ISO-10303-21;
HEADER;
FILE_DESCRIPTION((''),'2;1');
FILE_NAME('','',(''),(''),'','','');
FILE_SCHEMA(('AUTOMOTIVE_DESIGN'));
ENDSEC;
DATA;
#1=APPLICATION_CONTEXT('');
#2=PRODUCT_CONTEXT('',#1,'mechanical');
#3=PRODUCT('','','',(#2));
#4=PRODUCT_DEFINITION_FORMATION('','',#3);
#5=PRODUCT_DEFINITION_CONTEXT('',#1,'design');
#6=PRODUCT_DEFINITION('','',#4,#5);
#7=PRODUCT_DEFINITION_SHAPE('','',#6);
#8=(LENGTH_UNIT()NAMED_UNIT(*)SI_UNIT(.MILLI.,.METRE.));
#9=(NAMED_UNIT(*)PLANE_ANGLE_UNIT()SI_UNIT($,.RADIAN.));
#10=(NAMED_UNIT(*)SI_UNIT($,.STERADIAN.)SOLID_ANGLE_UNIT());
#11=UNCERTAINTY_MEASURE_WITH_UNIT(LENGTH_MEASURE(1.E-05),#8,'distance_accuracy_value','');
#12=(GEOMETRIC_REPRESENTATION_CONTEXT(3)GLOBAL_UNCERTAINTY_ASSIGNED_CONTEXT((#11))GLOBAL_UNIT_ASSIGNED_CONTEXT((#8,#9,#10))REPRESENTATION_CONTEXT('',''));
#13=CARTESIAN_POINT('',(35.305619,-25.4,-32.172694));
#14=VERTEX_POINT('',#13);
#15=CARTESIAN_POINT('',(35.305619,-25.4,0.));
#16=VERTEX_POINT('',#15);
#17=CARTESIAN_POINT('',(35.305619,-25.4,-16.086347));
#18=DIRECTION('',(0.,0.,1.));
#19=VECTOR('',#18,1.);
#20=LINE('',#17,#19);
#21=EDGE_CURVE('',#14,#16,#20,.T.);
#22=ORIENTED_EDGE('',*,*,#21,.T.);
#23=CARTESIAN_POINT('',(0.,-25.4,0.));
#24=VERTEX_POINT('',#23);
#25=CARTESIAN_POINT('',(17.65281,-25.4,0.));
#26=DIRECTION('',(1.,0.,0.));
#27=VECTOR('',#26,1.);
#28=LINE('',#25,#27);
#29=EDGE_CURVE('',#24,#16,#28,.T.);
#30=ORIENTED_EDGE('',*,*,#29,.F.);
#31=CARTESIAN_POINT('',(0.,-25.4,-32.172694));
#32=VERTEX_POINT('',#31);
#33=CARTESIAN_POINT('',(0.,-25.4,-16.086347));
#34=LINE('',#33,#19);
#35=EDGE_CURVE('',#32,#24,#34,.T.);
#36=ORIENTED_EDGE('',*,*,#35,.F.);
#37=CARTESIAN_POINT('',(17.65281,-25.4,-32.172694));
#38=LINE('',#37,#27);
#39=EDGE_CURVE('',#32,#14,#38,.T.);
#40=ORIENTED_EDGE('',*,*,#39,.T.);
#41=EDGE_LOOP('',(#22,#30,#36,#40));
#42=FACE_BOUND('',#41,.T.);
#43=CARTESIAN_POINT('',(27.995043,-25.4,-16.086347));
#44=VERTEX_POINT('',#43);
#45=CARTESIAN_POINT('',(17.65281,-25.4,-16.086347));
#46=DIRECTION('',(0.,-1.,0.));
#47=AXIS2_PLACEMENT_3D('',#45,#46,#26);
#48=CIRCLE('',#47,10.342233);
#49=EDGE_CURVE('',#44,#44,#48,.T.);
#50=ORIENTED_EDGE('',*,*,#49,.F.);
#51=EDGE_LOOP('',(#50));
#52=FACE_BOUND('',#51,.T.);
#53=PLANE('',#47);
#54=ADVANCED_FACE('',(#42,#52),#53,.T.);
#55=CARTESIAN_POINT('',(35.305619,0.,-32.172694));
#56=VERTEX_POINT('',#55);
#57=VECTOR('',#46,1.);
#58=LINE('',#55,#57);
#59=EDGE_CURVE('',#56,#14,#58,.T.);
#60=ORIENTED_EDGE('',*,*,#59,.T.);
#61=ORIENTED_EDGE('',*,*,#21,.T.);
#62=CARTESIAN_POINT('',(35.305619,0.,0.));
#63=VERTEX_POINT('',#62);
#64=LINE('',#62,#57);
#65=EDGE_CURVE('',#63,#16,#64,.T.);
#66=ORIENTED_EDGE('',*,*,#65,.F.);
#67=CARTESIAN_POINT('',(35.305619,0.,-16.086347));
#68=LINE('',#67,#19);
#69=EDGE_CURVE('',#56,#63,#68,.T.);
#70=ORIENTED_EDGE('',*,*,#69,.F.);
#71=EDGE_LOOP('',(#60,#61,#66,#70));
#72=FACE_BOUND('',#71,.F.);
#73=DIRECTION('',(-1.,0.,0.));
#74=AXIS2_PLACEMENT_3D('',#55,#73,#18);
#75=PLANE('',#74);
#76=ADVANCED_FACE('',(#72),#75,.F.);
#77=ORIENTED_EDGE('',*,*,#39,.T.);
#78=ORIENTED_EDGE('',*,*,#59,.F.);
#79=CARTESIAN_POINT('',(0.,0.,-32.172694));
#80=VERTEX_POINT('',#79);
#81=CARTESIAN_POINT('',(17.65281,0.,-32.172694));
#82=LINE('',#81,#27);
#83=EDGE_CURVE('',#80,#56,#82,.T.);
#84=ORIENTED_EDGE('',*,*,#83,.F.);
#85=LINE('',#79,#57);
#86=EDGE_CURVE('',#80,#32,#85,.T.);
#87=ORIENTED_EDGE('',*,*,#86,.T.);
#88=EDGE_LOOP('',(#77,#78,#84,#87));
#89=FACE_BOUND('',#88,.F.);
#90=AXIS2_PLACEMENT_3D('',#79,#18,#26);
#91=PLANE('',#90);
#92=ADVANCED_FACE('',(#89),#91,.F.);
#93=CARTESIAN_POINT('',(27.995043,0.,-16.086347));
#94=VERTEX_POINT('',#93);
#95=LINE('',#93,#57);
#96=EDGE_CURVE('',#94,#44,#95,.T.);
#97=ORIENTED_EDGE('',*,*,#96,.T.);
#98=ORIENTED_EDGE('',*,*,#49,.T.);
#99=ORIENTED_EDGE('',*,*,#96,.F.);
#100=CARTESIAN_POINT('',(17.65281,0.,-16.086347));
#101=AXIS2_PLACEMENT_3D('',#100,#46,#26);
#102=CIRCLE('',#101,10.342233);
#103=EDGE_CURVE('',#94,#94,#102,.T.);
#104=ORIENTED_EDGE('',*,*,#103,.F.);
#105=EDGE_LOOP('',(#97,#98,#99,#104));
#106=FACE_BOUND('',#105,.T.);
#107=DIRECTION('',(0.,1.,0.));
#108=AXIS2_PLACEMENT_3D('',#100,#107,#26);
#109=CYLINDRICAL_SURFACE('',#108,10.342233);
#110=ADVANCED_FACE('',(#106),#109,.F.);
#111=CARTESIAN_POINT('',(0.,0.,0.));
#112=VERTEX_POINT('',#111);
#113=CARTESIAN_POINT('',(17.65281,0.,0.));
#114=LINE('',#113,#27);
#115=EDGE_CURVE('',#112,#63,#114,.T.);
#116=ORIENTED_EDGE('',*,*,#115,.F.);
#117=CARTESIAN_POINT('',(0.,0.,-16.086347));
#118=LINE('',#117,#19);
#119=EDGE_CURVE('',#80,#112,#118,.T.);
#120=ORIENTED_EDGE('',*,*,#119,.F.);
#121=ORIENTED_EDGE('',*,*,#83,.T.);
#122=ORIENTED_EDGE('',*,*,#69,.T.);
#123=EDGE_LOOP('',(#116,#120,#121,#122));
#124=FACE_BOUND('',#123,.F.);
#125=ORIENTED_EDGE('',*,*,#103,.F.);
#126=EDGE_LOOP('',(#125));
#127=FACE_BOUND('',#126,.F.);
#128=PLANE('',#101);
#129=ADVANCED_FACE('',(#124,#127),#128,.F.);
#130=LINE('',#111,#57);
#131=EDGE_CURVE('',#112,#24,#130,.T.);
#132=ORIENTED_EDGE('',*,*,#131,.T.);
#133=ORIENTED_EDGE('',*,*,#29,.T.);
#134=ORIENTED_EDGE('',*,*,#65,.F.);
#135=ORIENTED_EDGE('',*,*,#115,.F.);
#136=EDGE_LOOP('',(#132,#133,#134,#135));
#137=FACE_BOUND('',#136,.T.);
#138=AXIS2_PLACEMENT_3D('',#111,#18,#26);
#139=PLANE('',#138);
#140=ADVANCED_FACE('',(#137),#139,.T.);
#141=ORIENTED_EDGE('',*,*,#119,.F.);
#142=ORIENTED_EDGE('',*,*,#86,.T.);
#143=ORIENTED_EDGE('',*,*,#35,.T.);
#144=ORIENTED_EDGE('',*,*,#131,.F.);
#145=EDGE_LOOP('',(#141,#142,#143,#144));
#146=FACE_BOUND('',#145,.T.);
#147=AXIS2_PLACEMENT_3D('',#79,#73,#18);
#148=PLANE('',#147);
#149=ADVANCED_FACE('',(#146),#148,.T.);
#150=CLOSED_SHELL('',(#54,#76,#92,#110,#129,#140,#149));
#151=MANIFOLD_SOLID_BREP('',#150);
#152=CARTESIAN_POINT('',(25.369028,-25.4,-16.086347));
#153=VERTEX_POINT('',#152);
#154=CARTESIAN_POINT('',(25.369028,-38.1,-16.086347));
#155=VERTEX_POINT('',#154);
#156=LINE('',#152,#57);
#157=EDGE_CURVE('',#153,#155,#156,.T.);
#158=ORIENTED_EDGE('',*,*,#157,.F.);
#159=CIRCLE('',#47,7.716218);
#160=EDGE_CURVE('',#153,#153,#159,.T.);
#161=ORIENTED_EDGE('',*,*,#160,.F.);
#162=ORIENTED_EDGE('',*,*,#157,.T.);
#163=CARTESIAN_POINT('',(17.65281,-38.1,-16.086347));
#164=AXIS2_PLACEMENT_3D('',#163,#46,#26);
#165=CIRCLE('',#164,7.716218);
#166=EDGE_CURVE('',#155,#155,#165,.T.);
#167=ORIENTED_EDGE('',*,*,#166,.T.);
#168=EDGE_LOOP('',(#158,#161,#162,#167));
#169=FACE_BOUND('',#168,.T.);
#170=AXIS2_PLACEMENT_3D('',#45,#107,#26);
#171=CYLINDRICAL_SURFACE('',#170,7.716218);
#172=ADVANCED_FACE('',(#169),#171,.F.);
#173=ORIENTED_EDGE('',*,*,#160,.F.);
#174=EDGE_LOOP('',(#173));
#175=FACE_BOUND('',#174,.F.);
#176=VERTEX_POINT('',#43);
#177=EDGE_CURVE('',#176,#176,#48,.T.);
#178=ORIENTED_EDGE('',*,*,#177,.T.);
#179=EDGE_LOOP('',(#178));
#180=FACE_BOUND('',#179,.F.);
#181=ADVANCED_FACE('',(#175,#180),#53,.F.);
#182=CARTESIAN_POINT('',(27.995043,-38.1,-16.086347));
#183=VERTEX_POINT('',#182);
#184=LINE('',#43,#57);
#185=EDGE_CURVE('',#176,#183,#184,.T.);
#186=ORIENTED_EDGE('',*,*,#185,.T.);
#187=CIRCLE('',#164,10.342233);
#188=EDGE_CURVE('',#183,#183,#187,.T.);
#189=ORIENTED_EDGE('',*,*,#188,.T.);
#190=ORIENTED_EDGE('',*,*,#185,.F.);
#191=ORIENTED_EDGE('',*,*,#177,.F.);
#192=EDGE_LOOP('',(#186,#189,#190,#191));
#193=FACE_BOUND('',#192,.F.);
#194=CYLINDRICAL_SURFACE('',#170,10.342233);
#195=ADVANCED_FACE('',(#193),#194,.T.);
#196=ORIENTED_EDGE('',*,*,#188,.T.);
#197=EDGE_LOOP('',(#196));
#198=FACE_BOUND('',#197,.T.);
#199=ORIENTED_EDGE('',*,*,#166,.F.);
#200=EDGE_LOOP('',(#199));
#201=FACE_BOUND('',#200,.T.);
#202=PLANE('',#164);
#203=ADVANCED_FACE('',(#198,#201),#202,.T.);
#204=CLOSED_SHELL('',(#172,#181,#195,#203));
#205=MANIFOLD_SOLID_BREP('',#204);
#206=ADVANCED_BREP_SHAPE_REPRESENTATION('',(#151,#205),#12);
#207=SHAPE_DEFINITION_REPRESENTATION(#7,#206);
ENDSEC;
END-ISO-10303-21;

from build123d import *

# Parameters (mm, degrees)
F0_W     = 35.305619
F0_H     = 32.172695
F0_R     = 10.342233
F1_DEPTH = 25.4
F2_R     = 10.342233
F2_R_2   = 7.716218
F3_DEPTH = 12.7


with BuildPart() as f1:
    # F0 (on Front) → F1 (new body)
    with BuildSketch(Plane.XZ):
        with Locations((17.65281, -16.086347)):
            Rectangle(F0_W, F0_H)
        with Locations((17.65281, -16.086347)):
            Circle(F0_R, mode=Mode.SUBTRACT)
    extrude(amount=F1_DEPTH)


with BuildPart() as f3:
    # F2 (on face) → F3 (new body)
    with BuildSketch(Plane.XZ.offset(25.4)):
        with Locations((17.65281, -16.086347)):
            Circle(F2_R)
        with Locations((17.65281, -16.086347)):
            Circle(F2_R_2, mode=Mode.SUBTRACT)
    extrude(amount=F3_DEPTH)


solid = Compound([f1.part, f3.part])
